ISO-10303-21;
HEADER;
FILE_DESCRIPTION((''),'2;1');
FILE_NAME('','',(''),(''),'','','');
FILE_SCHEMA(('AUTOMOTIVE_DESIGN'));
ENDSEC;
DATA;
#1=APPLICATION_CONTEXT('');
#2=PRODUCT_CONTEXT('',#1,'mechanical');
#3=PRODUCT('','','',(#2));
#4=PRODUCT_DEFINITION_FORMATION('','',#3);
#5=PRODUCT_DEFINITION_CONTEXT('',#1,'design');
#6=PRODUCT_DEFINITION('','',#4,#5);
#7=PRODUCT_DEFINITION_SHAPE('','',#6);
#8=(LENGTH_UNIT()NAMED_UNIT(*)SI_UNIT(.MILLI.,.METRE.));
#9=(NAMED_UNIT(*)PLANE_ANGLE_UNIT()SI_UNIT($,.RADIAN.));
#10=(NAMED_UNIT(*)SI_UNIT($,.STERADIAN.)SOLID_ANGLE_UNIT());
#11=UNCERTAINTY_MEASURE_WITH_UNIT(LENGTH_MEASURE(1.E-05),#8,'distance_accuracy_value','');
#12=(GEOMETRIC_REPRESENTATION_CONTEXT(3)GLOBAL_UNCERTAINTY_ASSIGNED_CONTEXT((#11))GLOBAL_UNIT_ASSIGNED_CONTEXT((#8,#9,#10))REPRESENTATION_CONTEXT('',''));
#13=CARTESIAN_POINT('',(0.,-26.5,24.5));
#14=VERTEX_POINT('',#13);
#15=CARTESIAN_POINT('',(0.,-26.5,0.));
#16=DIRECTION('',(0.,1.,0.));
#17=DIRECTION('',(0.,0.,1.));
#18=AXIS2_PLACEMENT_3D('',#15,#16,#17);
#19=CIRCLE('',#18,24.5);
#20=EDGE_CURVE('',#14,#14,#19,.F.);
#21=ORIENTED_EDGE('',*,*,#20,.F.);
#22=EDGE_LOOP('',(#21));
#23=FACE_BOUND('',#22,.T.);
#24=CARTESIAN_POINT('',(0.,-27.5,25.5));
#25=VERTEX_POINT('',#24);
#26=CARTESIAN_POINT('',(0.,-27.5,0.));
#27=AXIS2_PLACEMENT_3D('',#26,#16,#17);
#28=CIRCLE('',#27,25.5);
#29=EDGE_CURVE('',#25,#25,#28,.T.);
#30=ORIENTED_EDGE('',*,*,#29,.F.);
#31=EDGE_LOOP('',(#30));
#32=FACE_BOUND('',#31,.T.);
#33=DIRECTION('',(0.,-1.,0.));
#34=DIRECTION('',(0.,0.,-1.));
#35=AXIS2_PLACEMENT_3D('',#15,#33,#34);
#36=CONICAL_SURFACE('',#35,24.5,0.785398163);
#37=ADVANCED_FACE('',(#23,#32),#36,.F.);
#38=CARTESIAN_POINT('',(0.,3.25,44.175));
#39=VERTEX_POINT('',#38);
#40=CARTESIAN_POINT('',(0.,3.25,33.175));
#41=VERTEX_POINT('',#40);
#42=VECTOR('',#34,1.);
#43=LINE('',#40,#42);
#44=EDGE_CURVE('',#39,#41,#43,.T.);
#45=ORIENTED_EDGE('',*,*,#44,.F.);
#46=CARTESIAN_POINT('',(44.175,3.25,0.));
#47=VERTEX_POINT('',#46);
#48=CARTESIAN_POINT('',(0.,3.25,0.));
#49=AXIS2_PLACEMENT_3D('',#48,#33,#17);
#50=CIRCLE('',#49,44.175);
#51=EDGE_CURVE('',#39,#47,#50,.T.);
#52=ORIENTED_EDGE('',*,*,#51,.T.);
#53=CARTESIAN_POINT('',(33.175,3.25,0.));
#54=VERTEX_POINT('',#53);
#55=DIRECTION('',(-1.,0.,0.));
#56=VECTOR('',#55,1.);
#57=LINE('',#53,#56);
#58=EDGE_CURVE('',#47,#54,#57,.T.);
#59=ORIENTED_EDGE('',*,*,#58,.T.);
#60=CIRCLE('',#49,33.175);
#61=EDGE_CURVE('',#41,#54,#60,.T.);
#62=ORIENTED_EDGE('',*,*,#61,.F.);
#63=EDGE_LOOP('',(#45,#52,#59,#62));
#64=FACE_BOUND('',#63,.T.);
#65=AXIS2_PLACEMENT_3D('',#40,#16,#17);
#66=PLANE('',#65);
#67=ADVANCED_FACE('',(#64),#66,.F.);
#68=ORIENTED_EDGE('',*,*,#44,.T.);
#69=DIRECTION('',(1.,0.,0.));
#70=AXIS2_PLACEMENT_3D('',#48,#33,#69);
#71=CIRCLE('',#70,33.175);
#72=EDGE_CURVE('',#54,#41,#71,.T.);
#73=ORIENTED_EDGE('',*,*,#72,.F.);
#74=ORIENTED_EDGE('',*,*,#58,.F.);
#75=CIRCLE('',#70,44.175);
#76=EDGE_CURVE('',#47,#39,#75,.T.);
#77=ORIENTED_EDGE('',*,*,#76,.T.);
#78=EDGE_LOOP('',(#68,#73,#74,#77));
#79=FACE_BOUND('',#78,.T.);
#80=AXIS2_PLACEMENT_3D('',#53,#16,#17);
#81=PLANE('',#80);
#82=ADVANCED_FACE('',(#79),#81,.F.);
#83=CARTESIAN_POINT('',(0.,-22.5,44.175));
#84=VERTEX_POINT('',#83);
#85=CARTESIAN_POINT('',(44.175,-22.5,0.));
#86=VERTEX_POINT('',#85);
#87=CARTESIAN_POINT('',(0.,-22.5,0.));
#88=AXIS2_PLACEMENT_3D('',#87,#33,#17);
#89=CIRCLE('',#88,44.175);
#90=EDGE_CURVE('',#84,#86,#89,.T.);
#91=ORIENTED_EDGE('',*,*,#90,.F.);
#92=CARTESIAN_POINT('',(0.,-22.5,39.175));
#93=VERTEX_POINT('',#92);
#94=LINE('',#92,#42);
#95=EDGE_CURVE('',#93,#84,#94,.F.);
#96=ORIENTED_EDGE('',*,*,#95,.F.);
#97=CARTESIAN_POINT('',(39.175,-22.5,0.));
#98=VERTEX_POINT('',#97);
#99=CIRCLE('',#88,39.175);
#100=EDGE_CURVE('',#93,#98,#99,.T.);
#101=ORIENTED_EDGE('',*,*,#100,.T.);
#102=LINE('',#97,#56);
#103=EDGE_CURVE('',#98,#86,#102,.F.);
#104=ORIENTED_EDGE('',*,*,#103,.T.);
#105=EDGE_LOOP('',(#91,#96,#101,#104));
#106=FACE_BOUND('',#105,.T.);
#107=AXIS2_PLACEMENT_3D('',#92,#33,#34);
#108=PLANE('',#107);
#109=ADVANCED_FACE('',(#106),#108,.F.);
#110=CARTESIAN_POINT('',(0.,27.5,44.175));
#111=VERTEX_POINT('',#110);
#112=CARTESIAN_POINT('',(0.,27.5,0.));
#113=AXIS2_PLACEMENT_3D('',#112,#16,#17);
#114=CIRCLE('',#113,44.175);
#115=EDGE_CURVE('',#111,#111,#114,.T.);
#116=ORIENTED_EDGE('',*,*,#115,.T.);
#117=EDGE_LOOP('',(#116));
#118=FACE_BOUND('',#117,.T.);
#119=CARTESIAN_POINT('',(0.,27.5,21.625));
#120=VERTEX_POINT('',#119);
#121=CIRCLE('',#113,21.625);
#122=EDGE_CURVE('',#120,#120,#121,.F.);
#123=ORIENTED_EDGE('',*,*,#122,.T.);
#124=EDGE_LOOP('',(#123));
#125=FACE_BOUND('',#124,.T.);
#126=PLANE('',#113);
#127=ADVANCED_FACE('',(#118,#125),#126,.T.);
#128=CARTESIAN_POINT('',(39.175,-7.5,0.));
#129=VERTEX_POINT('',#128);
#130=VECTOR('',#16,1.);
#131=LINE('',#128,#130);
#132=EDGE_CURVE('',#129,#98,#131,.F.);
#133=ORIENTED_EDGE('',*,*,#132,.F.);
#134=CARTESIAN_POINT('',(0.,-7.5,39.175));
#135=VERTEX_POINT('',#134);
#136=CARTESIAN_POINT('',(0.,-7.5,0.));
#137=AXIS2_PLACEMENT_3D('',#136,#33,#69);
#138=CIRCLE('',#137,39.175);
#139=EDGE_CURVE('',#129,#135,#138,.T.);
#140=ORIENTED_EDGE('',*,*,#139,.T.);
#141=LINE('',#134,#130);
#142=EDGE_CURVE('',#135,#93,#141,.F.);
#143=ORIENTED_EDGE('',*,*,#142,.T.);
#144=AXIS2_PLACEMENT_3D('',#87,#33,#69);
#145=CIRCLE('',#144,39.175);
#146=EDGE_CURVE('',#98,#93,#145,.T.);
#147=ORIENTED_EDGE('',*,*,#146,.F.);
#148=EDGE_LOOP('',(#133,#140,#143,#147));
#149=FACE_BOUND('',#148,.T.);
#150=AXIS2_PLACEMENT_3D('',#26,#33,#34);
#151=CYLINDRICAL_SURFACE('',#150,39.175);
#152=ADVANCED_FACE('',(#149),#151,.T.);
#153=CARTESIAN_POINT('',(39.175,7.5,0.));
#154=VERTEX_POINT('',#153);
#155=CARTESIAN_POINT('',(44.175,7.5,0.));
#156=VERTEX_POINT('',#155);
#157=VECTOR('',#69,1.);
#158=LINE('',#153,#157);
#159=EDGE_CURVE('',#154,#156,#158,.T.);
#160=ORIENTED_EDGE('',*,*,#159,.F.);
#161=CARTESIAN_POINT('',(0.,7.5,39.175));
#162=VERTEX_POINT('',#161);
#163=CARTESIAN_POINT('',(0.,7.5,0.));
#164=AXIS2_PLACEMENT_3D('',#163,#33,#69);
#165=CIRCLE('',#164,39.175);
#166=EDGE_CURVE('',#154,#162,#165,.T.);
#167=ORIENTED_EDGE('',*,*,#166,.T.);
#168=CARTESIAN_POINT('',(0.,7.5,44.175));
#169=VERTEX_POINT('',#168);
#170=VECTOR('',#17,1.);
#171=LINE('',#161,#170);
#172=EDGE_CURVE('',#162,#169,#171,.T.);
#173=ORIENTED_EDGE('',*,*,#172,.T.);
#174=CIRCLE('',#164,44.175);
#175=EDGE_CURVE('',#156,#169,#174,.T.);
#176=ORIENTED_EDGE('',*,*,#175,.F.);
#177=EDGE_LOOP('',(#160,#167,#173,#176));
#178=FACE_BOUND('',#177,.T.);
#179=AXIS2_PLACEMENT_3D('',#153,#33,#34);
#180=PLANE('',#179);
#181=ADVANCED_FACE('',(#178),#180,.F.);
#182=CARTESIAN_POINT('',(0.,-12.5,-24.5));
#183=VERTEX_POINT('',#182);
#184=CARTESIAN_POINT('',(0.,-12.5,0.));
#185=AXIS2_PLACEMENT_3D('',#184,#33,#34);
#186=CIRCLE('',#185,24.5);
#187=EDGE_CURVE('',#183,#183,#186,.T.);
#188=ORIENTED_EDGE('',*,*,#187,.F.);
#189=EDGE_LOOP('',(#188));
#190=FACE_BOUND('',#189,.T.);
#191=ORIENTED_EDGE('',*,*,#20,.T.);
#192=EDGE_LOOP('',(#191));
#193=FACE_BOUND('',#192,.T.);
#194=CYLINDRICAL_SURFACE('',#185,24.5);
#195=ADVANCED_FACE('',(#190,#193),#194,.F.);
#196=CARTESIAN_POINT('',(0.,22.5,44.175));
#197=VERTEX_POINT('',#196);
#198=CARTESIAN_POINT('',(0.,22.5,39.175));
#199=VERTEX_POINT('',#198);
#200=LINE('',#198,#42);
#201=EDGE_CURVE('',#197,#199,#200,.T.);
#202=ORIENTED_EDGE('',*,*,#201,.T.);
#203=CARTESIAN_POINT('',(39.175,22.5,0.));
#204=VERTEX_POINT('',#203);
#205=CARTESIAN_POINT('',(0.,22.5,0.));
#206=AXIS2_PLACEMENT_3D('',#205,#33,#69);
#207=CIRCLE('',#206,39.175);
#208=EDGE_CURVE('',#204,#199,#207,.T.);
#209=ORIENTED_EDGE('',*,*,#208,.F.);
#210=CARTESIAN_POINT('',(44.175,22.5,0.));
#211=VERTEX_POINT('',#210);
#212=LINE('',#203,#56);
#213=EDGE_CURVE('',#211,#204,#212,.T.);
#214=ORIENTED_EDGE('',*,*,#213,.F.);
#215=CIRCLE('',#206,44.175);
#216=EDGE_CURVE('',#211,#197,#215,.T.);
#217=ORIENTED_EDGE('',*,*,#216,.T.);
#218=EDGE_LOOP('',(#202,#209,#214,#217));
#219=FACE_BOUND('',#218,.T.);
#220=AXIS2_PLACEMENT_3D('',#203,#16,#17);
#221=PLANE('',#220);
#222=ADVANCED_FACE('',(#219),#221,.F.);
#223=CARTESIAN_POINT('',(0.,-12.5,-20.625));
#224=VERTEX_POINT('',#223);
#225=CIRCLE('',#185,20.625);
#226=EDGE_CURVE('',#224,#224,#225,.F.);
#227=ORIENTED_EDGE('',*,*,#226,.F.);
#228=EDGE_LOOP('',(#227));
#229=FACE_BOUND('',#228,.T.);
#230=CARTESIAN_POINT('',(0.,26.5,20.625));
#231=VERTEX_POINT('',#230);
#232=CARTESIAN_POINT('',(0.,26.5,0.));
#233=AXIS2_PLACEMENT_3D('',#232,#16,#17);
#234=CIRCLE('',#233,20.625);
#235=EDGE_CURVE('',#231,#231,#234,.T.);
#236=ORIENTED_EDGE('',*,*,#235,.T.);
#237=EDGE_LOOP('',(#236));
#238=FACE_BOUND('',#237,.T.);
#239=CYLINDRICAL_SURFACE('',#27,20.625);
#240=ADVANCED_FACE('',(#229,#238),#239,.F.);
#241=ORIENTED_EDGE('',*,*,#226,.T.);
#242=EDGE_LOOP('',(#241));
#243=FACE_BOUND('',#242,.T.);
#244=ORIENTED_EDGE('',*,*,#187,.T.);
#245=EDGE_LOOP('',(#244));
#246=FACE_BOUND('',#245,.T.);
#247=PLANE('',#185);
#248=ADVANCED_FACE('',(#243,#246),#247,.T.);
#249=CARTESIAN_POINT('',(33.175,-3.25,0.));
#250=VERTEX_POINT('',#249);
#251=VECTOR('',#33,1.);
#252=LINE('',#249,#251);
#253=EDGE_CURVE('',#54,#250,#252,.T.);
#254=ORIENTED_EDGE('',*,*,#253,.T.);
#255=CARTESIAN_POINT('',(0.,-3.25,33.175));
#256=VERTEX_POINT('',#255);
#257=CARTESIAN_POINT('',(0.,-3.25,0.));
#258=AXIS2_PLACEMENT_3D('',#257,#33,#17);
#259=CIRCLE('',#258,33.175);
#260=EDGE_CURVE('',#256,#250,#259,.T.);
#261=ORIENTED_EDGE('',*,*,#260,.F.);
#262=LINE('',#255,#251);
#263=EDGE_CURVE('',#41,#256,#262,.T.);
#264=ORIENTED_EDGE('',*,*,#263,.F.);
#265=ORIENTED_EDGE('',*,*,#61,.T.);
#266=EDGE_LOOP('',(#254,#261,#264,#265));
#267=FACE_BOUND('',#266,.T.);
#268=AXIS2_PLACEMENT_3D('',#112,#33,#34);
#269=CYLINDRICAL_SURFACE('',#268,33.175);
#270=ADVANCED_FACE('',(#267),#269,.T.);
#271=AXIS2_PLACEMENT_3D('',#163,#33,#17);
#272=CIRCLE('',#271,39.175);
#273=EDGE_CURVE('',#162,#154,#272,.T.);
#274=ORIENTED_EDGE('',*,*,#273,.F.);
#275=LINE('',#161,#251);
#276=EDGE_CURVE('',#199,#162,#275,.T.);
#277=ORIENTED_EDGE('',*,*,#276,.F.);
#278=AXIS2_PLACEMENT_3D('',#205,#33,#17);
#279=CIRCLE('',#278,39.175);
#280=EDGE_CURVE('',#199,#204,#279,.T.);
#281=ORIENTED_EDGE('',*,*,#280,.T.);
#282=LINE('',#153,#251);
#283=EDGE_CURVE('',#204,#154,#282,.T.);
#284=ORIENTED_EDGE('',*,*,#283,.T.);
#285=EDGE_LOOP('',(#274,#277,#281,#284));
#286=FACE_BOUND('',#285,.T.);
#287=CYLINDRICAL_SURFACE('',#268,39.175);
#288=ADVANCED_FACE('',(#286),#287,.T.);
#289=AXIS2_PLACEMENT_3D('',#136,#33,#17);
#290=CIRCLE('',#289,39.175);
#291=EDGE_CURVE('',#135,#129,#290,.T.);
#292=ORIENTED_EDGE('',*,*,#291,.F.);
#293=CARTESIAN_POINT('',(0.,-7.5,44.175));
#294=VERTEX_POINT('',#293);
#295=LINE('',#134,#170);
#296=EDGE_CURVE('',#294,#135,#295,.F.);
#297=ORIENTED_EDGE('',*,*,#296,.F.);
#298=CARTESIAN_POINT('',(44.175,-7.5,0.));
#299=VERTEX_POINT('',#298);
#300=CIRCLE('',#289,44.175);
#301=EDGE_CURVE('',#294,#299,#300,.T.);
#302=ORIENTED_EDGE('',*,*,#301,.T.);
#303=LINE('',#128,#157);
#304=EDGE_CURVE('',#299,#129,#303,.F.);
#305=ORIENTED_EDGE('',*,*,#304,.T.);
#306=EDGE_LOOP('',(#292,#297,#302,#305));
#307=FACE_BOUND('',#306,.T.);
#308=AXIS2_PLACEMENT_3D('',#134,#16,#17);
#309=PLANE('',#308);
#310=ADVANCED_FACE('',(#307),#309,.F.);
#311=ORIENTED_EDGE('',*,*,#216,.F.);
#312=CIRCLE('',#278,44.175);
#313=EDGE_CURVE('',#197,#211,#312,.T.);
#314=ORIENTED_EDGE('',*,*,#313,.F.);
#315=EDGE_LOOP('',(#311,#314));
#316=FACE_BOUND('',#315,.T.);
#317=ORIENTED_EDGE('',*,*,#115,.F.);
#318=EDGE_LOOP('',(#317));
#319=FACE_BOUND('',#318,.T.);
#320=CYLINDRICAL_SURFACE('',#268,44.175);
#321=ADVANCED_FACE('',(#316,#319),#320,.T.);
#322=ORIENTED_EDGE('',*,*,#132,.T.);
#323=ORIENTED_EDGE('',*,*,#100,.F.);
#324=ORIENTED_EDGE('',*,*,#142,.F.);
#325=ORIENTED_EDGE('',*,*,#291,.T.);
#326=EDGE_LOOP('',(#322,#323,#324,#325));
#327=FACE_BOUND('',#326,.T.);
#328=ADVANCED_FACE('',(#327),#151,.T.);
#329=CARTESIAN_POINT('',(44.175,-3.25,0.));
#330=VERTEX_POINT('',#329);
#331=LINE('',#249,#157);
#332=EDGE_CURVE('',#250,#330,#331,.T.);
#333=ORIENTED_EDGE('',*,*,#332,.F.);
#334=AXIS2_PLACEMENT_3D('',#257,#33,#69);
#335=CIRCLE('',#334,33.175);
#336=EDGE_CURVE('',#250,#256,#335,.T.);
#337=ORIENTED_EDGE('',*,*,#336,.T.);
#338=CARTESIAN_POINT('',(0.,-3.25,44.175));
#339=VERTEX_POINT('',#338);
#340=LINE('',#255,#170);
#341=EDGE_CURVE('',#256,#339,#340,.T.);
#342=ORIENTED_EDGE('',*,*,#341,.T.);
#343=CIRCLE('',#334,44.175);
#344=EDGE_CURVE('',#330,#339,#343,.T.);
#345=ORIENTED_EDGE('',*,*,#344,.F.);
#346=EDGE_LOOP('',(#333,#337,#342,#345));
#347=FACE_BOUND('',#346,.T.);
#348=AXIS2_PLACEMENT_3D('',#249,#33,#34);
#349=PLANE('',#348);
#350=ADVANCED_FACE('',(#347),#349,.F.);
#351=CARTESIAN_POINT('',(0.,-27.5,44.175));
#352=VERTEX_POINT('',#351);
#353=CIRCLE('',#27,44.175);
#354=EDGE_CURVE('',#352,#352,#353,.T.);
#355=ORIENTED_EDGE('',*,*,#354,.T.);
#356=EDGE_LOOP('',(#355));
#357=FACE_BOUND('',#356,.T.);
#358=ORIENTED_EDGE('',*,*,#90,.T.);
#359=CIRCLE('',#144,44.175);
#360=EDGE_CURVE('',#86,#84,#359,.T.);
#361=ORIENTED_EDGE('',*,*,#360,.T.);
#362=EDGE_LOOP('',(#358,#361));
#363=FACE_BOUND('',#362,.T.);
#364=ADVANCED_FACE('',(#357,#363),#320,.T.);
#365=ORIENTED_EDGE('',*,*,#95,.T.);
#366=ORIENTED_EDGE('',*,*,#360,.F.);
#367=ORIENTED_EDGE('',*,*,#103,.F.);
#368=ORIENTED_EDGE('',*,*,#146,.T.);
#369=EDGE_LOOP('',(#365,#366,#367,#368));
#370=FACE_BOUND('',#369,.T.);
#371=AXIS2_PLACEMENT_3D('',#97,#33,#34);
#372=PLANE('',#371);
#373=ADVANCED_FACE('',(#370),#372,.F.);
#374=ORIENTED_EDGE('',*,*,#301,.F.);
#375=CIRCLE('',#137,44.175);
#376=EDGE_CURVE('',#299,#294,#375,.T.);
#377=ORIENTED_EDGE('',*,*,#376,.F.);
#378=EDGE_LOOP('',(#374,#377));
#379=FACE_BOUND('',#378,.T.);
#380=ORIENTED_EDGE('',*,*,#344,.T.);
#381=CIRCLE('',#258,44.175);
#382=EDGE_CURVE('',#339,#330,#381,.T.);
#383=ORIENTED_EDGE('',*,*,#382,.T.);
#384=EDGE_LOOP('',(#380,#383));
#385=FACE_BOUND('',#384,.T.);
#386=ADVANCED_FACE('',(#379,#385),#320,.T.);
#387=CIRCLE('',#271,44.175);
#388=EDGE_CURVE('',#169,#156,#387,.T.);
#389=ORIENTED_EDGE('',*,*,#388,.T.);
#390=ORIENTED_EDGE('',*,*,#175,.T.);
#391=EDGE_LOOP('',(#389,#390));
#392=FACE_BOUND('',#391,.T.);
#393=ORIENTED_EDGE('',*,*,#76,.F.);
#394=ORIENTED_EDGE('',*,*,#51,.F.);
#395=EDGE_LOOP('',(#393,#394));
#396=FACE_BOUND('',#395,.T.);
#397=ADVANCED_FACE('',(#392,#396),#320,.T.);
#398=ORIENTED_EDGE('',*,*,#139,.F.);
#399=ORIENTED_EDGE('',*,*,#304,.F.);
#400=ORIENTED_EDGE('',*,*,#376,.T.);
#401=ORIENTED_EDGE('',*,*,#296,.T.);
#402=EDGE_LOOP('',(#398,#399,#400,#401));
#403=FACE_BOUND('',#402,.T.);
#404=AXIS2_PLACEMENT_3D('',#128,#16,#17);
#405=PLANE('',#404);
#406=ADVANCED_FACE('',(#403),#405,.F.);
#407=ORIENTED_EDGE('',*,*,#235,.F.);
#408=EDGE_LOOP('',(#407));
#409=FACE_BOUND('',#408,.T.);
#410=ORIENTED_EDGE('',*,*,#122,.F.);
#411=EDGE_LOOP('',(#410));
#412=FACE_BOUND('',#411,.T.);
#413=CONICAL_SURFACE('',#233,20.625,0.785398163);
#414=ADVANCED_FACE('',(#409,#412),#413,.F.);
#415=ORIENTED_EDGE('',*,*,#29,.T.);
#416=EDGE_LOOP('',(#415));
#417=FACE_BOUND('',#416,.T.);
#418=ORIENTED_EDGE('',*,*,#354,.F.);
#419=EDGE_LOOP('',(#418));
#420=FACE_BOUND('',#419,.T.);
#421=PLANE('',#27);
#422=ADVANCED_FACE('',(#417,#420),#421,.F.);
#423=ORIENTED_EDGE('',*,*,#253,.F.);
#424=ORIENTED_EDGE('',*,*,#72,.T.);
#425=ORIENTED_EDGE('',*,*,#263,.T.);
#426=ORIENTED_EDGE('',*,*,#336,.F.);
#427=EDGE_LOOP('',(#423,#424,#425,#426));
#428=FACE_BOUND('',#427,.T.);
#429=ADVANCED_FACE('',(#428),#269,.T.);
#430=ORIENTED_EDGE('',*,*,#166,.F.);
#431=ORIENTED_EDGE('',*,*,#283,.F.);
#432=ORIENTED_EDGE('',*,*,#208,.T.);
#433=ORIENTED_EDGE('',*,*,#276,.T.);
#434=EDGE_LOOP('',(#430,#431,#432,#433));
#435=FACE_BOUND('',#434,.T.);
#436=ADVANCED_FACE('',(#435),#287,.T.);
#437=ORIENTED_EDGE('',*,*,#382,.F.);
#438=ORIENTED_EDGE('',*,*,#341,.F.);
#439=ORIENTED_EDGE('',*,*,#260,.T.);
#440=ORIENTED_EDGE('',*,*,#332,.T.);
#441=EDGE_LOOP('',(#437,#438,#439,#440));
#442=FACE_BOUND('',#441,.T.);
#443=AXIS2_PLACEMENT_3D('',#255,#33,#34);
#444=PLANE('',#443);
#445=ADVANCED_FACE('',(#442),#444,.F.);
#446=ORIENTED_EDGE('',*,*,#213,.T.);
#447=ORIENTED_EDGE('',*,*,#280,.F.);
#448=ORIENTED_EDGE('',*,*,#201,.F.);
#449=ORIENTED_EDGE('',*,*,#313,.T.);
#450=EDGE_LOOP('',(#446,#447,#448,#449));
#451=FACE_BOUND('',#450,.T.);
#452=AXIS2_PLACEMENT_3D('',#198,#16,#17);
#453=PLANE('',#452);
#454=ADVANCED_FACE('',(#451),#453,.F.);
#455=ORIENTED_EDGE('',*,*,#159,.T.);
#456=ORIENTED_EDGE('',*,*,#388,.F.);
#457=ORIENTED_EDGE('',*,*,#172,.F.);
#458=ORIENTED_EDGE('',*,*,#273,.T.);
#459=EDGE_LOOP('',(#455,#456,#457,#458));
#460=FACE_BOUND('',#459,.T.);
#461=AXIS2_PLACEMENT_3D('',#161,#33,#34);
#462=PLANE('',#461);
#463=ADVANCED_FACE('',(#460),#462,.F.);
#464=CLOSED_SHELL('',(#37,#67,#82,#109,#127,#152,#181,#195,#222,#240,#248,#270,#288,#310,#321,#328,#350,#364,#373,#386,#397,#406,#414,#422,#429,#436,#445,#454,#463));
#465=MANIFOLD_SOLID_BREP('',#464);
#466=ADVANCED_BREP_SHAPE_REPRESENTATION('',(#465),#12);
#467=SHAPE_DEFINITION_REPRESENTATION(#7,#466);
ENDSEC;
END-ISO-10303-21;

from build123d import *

# Parameters (mm, degrees)
SKETCH1_R           = 44.175
BOSS_EXTRUDE1_DEPTH = 27.5
SKETCH3_W           = 11
SKETCH3_H           = 6.5
SKETCH4_W           = 5
SKETCH4_H           = 15
SKETCH9_R           = 20.625
CUT_EXTRUDE2_DEPTH  = 84.233774695
CHAMFER1_SIZE       = 1
SKETCH10_R          = 24.5
CUT_EXTRUDE3_DEPTH  = 15
CHAMFER2_SIZE       = 1


with BuildPart() as part:
    # Sketch1 → Boss-Extrude1 (new, symmetric)
    with BuildSketch(Plane(origin=(0, 0, 0), x_dir=(1, 0, 0), z_dir=(0, 1, 0))):
        with Locations(Location((0, 0, 0), (0, 0, 270))):
            Circle(SKETCH1_R)
    extrude(amount=BOSS_EXTRUDE1_DEPTH, both=True)

    # Cut-Sweep1: sweep along a curve in space
    with BuildLine() as cut_sweep1_path:
        ThreePointArc((0, 27.5, 44.175), (31.236442059, 27.5, 31.236442059), (44.175, 27.5, 0))
        ThreePointArc((44.175, 27.5, 0), (31.236442059, 27.5, -31.236442059), (0, 27.5, -44.175))
        ThreePointArc((0, 27.5, -44.175), (-31.236442059, 27.5, -31.236442059), (-44.175, 27.5, 0))
        ThreePointArc((-44.175, 27.5, 0), (-31.236442059, 27.5, 31.236442059), (0, 27.5, 44.175))
    # Sketch3 → Cut-Sweep1 (sweep, cut)
    with BuildSketch(Plane.XY):
        with Locations((38.675, 0)):
            Rectangle(SKETCH3_W, SKETCH3_H)
    sweep(path=cut_sweep1_path.line, mode=Mode.SUBTRACT)

    # Cut-Sweep2: sweep along a curve in space
    with BuildLine() as cut_sweep2_path:
        ThreePointArc((0, 27.5, 44.175), (31.236442059, 27.5, 31.236442059), (44.175, 27.5, 0))
        ThreePointArc((44.175, 27.5, 0), (31.236442059, 27.5, -31.236442059), (0, 27.5, -44.175))
        ThreePointArc((0, 27.5, -44.175), (-31.236442059, 27.5, -31.236442059), (-44.175, 27.5, 0))
        ThreePointArc((-44.175, 27.5, 0), (-31.236442059, 27.5, 31.236442059), (0, 27.5, 44.175))
    # Sketch4 → Cut-Sweep2 (sweep, cut)
    with BuildSketch(Plane.XY):
        with Locations((41.675, 15)):
            Rectangle(SKETCH4_W, SKETCH4_H)
    cut_sweep2 = sweep(path=cut_sweep2_path.line, mode=Mode.SUBTRACT)

    # Mirror1: Cut-Sweep2 across plane
    add(cut_sweep2.mirror(Plane.ZX), mode=Mode.SUBTRACT)

    # Sketch9 → Cut-Extrude2 (cut, through all)
    with BuildSketch(Plane(origin=(0, 27.5, 0), x_dir=(1, 0, 0), z_dir=(0, 1, 0))):
        with Locations(Location((0, 0, 0), (0, 0, 270))):
            Circle(SKETCH9_R)
    extrude(amount=-CUT_EXTRUDE2_DEPTH, mode=Mode.SUBTRACT)

    # Chamfer1
    chamfer1_edges = [part.edges().sort_by_distance(p)[0] for p in [
        (0, 27.5, -20.625),
    ]]
    chamfer(chamfer1_edges, length=CHAMFER1_SIZE)

    # Sketch10 → Cut-Extrude3 (cut)
    with BuildSketch(Plane.XZ.offset(27.5)):
        with Locations(Location((0, 0, 0), (0, 0, 270))):
            Circle(SKETCH10_R)
    extrude(amount=-CUT_EXTRUDE3_DEPTH, mode=Mode.SUBTRACT)

    # Chamfer2
    chamfer2_edges = [part.edges().sort_by_distance(p)[0] for p in [
        (0, -27.5, 24.5),
    ]]
    chamfer(chamfer2_edges, length=CHAMFER2_SIZE)


solid = part.part
